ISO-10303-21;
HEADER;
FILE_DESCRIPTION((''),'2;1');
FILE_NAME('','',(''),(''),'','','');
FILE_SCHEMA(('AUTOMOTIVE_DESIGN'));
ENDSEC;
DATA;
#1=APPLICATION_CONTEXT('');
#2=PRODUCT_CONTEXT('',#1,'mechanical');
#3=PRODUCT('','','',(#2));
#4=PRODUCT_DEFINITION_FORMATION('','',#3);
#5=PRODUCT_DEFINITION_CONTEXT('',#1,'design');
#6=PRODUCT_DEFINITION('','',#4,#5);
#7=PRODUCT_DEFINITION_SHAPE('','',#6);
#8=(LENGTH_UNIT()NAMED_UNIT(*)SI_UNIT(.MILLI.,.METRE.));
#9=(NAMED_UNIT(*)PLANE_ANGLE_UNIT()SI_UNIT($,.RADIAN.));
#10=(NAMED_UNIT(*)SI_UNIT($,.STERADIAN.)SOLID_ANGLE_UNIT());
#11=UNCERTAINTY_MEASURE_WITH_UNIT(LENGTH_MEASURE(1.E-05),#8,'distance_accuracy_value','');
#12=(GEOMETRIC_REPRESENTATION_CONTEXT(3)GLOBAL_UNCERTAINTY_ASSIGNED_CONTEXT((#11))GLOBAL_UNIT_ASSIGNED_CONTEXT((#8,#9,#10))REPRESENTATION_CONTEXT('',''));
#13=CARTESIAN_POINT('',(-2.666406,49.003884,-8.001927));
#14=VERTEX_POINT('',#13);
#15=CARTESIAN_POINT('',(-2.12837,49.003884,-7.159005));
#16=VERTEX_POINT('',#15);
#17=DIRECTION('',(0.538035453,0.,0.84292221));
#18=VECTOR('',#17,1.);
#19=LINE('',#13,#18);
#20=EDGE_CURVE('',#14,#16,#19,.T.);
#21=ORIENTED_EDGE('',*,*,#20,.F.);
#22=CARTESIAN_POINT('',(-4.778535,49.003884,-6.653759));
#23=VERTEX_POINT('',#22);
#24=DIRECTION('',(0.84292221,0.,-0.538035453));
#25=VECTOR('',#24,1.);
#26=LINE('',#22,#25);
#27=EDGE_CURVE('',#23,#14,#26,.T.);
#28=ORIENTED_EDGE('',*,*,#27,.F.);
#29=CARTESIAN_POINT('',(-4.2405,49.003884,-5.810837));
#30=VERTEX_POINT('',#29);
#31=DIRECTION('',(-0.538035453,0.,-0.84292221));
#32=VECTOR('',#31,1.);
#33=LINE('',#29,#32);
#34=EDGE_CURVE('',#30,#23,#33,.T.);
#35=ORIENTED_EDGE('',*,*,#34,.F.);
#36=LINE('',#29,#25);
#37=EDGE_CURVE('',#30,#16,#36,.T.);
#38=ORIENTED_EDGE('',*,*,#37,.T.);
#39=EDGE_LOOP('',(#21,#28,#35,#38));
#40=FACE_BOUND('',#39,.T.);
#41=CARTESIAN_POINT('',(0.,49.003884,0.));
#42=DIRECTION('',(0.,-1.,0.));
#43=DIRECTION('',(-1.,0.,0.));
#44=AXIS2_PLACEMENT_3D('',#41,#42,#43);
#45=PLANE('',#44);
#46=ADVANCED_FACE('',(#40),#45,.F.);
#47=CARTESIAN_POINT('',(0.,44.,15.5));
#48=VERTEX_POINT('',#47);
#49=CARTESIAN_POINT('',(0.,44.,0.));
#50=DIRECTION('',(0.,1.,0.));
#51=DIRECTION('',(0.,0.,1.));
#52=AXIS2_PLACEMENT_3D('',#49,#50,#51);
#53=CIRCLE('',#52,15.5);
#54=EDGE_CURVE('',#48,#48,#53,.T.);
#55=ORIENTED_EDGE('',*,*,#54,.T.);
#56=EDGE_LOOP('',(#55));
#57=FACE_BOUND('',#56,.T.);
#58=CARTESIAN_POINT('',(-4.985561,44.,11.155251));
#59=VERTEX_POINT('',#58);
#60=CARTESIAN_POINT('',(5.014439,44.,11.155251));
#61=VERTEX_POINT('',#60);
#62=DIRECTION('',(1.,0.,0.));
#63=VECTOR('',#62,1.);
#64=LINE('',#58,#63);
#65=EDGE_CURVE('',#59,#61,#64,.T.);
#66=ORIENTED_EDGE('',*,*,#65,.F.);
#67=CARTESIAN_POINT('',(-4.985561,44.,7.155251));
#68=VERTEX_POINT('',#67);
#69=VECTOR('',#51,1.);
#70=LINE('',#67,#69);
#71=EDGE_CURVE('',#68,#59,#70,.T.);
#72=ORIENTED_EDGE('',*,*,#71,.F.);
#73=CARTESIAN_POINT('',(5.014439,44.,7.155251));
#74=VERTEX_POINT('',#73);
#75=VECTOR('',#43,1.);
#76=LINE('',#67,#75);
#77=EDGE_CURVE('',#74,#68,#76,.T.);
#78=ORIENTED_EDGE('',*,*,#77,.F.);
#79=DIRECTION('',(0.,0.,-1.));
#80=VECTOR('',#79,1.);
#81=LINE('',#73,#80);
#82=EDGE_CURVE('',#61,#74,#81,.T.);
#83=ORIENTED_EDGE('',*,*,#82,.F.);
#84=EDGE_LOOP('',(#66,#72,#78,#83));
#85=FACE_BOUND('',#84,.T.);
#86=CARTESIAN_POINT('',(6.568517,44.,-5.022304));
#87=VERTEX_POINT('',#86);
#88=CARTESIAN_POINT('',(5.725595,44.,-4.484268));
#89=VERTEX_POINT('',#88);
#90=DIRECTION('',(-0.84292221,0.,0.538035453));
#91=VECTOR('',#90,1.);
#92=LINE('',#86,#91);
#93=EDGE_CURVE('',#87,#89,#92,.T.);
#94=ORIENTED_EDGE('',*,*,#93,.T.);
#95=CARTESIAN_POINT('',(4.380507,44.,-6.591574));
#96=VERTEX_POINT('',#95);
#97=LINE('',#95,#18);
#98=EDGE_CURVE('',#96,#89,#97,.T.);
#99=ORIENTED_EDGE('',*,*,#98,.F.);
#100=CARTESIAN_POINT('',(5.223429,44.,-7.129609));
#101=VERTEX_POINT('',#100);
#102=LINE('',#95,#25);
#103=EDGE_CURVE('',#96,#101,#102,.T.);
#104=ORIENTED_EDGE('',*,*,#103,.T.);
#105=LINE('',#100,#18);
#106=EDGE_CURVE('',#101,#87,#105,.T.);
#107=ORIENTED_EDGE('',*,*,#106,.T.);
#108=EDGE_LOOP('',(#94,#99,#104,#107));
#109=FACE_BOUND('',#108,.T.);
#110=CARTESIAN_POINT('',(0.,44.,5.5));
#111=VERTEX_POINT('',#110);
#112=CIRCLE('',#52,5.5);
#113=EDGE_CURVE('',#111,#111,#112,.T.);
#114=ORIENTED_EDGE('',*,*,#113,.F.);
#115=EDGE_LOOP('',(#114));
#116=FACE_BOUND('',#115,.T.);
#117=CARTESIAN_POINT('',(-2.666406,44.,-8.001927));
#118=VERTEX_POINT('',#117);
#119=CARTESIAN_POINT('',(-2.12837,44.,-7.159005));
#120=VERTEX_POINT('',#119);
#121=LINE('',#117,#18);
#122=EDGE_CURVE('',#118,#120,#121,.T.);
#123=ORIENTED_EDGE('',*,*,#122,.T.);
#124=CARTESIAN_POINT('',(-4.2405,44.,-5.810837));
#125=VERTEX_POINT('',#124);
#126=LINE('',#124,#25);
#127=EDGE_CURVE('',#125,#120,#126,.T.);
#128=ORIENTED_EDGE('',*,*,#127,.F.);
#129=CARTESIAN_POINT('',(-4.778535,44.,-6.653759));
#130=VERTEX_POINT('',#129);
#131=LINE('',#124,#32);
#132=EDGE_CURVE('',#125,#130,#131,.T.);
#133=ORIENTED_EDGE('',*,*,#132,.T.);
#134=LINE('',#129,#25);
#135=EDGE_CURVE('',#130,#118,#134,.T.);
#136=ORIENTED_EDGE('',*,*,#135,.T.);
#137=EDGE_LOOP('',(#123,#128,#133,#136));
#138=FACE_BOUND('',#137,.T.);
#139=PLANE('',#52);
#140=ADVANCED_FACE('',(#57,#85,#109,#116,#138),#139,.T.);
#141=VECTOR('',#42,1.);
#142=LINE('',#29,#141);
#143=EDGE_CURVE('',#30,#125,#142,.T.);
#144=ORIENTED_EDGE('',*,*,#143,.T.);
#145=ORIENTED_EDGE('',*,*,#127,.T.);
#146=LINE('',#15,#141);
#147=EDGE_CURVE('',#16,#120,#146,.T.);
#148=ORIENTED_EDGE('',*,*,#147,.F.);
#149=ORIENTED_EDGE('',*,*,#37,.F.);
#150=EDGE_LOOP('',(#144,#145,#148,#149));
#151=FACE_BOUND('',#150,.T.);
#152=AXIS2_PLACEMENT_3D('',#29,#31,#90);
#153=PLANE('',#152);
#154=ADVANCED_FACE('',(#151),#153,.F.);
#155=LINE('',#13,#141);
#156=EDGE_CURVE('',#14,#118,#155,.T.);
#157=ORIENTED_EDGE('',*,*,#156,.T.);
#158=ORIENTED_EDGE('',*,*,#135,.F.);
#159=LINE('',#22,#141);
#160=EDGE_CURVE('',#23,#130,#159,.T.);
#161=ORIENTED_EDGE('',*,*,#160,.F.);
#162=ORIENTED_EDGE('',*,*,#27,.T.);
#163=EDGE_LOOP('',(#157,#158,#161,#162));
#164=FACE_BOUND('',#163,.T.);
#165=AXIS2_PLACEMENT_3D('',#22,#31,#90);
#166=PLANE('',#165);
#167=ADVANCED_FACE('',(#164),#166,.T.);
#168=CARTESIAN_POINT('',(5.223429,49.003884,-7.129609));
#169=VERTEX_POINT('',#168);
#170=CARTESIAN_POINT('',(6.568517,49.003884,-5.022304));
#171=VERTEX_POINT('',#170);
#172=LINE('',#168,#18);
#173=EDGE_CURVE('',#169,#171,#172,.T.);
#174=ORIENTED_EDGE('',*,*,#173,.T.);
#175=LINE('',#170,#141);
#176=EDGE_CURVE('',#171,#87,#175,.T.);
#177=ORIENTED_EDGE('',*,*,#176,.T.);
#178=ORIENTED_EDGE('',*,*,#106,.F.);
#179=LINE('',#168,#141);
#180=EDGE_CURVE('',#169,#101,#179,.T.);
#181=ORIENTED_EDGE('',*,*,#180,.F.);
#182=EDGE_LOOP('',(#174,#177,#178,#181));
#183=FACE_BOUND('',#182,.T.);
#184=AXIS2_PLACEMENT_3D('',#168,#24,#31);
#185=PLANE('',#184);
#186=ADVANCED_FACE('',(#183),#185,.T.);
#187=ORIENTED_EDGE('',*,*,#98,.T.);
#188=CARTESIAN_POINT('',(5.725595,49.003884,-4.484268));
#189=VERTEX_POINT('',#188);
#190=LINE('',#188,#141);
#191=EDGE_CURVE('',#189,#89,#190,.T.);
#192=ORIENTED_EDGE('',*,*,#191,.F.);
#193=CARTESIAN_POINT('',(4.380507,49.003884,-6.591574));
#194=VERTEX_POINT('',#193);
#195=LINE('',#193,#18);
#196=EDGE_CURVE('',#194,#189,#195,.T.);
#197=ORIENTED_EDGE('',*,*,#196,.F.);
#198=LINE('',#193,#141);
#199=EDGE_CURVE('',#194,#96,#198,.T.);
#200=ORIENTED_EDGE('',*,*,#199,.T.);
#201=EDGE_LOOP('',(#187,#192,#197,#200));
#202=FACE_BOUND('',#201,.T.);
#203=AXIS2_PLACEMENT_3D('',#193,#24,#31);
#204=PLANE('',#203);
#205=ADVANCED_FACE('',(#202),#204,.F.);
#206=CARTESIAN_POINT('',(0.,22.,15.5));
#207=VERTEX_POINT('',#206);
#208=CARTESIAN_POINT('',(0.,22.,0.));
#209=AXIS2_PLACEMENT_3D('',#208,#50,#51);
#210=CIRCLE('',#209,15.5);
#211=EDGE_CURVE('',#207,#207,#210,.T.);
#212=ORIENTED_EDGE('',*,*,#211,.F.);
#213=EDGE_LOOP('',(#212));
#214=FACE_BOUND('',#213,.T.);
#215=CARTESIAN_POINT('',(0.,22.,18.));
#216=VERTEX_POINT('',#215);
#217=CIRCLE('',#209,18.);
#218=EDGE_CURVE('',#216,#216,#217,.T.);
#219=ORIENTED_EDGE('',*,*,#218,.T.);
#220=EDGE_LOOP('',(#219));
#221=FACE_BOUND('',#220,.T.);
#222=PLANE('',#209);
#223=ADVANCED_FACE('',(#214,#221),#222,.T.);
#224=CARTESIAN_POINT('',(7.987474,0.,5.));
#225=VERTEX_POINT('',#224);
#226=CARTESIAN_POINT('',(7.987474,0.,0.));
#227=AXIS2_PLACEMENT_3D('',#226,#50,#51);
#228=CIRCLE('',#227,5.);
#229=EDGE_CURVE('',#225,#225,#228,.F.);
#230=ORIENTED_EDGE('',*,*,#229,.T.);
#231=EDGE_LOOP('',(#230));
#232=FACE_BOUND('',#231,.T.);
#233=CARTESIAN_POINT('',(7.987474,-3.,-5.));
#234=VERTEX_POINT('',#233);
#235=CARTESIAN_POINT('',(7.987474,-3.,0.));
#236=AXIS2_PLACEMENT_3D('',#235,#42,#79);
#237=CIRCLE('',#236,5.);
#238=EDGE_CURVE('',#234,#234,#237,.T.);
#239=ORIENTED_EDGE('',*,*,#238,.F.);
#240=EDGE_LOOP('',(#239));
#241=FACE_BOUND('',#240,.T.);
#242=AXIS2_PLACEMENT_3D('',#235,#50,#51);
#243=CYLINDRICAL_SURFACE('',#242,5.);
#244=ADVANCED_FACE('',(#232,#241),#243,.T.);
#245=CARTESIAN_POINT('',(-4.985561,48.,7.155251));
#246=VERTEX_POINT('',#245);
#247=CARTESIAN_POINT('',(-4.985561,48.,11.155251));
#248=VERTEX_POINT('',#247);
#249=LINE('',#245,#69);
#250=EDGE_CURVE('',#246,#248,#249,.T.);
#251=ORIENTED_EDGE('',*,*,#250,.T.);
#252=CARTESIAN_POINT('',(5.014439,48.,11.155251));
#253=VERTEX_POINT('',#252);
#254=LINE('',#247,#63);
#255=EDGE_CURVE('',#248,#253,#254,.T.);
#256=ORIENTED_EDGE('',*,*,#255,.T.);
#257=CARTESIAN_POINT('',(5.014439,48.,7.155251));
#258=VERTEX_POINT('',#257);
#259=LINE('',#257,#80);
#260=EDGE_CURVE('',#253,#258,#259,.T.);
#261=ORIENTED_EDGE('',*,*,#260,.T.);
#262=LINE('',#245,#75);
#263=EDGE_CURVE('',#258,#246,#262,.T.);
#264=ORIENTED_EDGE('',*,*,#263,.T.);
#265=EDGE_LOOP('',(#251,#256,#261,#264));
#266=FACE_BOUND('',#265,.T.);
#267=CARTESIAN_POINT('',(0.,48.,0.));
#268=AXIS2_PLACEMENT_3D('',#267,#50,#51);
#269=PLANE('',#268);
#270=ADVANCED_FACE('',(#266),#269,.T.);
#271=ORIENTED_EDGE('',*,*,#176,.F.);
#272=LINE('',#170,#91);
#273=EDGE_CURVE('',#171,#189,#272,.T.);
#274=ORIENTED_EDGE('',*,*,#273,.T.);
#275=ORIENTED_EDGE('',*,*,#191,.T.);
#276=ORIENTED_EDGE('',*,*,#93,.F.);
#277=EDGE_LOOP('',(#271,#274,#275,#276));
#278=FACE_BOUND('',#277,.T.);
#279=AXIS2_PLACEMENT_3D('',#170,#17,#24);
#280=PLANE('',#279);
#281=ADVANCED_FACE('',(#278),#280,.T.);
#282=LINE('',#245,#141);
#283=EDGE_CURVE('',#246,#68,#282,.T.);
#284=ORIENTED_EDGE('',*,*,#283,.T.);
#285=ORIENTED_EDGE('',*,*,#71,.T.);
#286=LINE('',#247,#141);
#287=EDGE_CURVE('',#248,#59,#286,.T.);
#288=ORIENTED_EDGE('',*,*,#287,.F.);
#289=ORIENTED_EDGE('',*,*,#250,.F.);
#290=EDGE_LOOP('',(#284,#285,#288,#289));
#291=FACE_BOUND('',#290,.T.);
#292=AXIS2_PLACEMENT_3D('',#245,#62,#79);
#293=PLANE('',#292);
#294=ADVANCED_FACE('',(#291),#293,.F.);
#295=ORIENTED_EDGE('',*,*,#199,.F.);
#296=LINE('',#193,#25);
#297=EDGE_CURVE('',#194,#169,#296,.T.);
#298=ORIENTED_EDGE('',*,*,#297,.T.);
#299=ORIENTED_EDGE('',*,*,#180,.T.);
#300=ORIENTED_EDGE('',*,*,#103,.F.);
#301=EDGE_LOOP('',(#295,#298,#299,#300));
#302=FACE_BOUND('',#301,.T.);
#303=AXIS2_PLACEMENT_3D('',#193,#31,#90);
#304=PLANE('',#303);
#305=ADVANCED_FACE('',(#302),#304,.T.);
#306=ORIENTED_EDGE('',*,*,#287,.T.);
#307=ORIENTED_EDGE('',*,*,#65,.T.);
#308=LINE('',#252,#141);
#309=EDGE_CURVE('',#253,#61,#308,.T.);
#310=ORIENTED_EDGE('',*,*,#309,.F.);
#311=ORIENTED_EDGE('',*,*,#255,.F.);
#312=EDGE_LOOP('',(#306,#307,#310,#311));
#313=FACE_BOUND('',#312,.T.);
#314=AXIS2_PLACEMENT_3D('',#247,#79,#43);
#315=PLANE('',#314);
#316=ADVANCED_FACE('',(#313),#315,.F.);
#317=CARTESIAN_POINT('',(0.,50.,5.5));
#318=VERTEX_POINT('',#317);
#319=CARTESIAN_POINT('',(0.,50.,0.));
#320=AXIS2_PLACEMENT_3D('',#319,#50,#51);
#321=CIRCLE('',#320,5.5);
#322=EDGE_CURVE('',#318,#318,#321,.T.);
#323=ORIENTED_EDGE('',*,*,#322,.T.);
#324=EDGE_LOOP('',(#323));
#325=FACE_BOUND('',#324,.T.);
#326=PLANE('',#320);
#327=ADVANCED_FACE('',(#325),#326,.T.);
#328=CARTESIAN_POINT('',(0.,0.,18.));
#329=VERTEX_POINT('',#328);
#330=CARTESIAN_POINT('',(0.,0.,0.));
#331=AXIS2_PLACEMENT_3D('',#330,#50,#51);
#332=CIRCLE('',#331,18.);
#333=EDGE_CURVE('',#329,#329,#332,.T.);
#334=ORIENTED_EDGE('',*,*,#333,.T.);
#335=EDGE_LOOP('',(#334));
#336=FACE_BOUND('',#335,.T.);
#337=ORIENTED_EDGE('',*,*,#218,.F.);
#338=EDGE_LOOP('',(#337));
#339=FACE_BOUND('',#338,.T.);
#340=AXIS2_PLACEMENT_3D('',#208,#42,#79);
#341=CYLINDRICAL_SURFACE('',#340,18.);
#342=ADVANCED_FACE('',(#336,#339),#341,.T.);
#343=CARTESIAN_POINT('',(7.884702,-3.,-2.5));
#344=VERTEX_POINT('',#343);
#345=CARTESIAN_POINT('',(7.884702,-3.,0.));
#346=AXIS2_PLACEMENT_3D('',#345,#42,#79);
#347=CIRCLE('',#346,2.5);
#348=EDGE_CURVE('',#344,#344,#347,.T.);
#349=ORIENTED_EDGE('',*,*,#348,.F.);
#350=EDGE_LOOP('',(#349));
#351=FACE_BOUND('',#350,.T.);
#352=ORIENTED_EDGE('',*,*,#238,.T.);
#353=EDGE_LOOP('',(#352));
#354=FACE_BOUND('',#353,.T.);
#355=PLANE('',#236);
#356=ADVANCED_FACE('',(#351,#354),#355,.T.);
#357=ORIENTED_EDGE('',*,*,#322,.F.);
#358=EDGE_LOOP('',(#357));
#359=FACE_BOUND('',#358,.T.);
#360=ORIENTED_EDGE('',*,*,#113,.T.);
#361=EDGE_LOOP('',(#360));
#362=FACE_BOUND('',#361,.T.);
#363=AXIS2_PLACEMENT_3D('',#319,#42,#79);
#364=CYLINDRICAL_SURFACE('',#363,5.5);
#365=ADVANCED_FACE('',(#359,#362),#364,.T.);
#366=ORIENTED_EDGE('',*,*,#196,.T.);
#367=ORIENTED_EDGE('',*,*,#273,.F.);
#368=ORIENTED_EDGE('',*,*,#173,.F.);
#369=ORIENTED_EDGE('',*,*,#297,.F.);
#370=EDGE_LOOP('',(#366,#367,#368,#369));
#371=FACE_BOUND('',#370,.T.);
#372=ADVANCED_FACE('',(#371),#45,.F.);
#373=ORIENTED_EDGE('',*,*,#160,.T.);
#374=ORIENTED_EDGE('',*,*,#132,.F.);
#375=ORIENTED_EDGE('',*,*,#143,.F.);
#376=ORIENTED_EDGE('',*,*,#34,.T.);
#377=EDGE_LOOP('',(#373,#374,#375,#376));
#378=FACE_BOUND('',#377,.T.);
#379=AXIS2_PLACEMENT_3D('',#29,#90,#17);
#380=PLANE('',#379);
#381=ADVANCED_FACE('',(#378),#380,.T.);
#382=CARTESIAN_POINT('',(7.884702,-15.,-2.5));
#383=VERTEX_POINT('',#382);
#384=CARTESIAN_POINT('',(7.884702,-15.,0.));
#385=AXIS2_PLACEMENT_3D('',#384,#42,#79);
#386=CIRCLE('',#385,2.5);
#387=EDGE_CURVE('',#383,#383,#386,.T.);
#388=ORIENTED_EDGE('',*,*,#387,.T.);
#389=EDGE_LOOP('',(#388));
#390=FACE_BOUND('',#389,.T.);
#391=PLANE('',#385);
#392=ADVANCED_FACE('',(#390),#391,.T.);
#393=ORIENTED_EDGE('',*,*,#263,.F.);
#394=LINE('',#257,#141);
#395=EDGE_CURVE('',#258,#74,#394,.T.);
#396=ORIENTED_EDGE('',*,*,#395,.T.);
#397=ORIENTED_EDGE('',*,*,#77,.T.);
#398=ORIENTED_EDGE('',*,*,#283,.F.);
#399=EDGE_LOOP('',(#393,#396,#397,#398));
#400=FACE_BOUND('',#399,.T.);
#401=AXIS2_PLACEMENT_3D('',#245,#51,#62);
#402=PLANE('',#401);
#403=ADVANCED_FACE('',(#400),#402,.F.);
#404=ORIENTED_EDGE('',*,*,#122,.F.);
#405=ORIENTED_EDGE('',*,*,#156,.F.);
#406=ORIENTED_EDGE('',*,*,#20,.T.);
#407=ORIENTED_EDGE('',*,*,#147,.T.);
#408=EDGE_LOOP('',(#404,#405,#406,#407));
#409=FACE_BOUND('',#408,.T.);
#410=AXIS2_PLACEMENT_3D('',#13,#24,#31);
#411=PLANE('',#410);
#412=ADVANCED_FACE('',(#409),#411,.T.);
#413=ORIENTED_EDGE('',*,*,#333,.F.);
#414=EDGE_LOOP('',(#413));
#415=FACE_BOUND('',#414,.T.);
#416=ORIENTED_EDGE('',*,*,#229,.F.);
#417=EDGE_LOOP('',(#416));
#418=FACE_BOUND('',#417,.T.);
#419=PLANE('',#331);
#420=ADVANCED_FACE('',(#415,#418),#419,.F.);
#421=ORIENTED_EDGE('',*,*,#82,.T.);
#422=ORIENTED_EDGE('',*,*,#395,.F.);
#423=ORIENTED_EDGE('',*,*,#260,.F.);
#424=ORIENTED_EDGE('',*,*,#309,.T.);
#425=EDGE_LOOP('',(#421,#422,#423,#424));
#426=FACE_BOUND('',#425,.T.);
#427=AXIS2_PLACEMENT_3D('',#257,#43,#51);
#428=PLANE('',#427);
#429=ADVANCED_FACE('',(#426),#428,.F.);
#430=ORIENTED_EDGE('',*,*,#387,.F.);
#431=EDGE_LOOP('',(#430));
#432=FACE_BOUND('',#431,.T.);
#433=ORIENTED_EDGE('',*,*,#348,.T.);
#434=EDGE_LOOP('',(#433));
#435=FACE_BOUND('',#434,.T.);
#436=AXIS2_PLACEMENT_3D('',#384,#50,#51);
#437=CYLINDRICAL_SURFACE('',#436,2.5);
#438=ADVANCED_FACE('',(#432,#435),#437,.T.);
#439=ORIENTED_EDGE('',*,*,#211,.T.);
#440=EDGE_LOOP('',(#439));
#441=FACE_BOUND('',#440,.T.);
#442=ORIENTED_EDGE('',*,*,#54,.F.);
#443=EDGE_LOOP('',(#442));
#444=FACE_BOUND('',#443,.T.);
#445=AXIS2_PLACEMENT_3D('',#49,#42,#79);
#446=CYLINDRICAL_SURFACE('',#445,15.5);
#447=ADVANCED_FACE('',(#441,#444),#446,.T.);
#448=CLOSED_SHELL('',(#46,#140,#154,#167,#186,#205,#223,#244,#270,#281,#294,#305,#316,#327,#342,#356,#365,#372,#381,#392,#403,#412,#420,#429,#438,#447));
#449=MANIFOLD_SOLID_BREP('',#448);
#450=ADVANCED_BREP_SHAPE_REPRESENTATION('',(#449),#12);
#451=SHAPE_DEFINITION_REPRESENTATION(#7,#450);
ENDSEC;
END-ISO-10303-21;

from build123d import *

# Parameters (mm, degrees)
SKETCH_1_R        = 18
EXTRUDE_1_DEPTH   = 22
SKETCH_2_R        = 15.5
EXTRUDE_2_DEPTH   = 22
SKETCH_3_R        = 5
EXTRUDE_4_DEPTH   = 3
SKETCH_4_R        = 2.5
EXTRUDE_5_DEPTH   = 12
SKETCH_5_R        = 5.5
EXTRUDE_6_DEPTH   = 6
EXTRUDE_1_2_DEPTH = 5.003884266
SKETCH_7_W        = 10
SKETCH_7_H        = 4
EXTRUDE_7_DEPTH   = 4


with BuildPart() as part:
    # 草图1 → Extrude 1 (new body)
    with BuildSketch(Plane(origin=(0, 0, 0), x_dir=(1, 0, 0), z_dir=(0, 1, 0))):
        Circle(SKETCH_1_R)
    extrude(amount=EXTRUDE_1_DEPTH)

    # 草图2 → 凸台-拉伸2 (add)
    with BuildSketch(Plane(origin=(0, 22, 0), x_dir=(1, 0, 0), z_dir=(0, 1, 0))):
        Circle(SKETCH_2_R)
    extrude(amount=EXTRUDE_2_DEPTH)

    # 草图3 → 凸台-拉伸4 (add)
    with BuildSketch(Plane.XZ):
        with Locations((7.987474049, 0)):
            Circle(SKETCH_3_R)
    extrude(amount=EXTRUDE_4_DEPTH)

    # 草图4 → 凸台-拉伸5 (add)
    with BuildSketch(Plane.XZ.offset(3)):
        with Locations((7.884702341, 0)):
            Circle(SKETCH_4_R)
    extrude(amount=EXTRUDE_5_DEPTH)

    # 草图5 → 凸台-拉伸6 (add)
    with BuildSketch(Plane(origin=(0, 44, 0), x_dir=(1, 0, 0), z_dir=(0, 1, 0))):
        Circle(SKETCH_5_R)
    extrude(amount=EXTRUDE_6_DEPTH)

    # 草图6 → Extrude 1 2 (add)
    with BuildSketch(Plane(origin=(0, 44, 0), x_dir=(1, 0, 0), z_dir=(0, 1, 0))):
        Polygon((-4.778535484, 6.653759351), (-2.666405598, 8.001927364), (-2.128370145, 7.159005154), (-4.240500031, 5.810837142), align=None)
        Polygon((5.223428842, 7.129609036), (6.568517474, 5.022303512), (5.725595265, 4.484268059), (4.380506633, 6.591573583), align=None)
    extrude(amount=EXTRUDE_1_2_DEPTH)

    # 草图7 → 凸台-拉伸7 (add)
    with BuildSketch(Plane(origin=(0, 44, 0), x_dir=(1, 0, 0), z_dir=(0, 1, 0))):
        with Locations((0.014439493, -9.155250873)):
            Rectangle(SKETCH_7_W, SKETCH_7_H)
    extrude(amount=EXTRUDE_7_DEPTH)


solid = part.part
